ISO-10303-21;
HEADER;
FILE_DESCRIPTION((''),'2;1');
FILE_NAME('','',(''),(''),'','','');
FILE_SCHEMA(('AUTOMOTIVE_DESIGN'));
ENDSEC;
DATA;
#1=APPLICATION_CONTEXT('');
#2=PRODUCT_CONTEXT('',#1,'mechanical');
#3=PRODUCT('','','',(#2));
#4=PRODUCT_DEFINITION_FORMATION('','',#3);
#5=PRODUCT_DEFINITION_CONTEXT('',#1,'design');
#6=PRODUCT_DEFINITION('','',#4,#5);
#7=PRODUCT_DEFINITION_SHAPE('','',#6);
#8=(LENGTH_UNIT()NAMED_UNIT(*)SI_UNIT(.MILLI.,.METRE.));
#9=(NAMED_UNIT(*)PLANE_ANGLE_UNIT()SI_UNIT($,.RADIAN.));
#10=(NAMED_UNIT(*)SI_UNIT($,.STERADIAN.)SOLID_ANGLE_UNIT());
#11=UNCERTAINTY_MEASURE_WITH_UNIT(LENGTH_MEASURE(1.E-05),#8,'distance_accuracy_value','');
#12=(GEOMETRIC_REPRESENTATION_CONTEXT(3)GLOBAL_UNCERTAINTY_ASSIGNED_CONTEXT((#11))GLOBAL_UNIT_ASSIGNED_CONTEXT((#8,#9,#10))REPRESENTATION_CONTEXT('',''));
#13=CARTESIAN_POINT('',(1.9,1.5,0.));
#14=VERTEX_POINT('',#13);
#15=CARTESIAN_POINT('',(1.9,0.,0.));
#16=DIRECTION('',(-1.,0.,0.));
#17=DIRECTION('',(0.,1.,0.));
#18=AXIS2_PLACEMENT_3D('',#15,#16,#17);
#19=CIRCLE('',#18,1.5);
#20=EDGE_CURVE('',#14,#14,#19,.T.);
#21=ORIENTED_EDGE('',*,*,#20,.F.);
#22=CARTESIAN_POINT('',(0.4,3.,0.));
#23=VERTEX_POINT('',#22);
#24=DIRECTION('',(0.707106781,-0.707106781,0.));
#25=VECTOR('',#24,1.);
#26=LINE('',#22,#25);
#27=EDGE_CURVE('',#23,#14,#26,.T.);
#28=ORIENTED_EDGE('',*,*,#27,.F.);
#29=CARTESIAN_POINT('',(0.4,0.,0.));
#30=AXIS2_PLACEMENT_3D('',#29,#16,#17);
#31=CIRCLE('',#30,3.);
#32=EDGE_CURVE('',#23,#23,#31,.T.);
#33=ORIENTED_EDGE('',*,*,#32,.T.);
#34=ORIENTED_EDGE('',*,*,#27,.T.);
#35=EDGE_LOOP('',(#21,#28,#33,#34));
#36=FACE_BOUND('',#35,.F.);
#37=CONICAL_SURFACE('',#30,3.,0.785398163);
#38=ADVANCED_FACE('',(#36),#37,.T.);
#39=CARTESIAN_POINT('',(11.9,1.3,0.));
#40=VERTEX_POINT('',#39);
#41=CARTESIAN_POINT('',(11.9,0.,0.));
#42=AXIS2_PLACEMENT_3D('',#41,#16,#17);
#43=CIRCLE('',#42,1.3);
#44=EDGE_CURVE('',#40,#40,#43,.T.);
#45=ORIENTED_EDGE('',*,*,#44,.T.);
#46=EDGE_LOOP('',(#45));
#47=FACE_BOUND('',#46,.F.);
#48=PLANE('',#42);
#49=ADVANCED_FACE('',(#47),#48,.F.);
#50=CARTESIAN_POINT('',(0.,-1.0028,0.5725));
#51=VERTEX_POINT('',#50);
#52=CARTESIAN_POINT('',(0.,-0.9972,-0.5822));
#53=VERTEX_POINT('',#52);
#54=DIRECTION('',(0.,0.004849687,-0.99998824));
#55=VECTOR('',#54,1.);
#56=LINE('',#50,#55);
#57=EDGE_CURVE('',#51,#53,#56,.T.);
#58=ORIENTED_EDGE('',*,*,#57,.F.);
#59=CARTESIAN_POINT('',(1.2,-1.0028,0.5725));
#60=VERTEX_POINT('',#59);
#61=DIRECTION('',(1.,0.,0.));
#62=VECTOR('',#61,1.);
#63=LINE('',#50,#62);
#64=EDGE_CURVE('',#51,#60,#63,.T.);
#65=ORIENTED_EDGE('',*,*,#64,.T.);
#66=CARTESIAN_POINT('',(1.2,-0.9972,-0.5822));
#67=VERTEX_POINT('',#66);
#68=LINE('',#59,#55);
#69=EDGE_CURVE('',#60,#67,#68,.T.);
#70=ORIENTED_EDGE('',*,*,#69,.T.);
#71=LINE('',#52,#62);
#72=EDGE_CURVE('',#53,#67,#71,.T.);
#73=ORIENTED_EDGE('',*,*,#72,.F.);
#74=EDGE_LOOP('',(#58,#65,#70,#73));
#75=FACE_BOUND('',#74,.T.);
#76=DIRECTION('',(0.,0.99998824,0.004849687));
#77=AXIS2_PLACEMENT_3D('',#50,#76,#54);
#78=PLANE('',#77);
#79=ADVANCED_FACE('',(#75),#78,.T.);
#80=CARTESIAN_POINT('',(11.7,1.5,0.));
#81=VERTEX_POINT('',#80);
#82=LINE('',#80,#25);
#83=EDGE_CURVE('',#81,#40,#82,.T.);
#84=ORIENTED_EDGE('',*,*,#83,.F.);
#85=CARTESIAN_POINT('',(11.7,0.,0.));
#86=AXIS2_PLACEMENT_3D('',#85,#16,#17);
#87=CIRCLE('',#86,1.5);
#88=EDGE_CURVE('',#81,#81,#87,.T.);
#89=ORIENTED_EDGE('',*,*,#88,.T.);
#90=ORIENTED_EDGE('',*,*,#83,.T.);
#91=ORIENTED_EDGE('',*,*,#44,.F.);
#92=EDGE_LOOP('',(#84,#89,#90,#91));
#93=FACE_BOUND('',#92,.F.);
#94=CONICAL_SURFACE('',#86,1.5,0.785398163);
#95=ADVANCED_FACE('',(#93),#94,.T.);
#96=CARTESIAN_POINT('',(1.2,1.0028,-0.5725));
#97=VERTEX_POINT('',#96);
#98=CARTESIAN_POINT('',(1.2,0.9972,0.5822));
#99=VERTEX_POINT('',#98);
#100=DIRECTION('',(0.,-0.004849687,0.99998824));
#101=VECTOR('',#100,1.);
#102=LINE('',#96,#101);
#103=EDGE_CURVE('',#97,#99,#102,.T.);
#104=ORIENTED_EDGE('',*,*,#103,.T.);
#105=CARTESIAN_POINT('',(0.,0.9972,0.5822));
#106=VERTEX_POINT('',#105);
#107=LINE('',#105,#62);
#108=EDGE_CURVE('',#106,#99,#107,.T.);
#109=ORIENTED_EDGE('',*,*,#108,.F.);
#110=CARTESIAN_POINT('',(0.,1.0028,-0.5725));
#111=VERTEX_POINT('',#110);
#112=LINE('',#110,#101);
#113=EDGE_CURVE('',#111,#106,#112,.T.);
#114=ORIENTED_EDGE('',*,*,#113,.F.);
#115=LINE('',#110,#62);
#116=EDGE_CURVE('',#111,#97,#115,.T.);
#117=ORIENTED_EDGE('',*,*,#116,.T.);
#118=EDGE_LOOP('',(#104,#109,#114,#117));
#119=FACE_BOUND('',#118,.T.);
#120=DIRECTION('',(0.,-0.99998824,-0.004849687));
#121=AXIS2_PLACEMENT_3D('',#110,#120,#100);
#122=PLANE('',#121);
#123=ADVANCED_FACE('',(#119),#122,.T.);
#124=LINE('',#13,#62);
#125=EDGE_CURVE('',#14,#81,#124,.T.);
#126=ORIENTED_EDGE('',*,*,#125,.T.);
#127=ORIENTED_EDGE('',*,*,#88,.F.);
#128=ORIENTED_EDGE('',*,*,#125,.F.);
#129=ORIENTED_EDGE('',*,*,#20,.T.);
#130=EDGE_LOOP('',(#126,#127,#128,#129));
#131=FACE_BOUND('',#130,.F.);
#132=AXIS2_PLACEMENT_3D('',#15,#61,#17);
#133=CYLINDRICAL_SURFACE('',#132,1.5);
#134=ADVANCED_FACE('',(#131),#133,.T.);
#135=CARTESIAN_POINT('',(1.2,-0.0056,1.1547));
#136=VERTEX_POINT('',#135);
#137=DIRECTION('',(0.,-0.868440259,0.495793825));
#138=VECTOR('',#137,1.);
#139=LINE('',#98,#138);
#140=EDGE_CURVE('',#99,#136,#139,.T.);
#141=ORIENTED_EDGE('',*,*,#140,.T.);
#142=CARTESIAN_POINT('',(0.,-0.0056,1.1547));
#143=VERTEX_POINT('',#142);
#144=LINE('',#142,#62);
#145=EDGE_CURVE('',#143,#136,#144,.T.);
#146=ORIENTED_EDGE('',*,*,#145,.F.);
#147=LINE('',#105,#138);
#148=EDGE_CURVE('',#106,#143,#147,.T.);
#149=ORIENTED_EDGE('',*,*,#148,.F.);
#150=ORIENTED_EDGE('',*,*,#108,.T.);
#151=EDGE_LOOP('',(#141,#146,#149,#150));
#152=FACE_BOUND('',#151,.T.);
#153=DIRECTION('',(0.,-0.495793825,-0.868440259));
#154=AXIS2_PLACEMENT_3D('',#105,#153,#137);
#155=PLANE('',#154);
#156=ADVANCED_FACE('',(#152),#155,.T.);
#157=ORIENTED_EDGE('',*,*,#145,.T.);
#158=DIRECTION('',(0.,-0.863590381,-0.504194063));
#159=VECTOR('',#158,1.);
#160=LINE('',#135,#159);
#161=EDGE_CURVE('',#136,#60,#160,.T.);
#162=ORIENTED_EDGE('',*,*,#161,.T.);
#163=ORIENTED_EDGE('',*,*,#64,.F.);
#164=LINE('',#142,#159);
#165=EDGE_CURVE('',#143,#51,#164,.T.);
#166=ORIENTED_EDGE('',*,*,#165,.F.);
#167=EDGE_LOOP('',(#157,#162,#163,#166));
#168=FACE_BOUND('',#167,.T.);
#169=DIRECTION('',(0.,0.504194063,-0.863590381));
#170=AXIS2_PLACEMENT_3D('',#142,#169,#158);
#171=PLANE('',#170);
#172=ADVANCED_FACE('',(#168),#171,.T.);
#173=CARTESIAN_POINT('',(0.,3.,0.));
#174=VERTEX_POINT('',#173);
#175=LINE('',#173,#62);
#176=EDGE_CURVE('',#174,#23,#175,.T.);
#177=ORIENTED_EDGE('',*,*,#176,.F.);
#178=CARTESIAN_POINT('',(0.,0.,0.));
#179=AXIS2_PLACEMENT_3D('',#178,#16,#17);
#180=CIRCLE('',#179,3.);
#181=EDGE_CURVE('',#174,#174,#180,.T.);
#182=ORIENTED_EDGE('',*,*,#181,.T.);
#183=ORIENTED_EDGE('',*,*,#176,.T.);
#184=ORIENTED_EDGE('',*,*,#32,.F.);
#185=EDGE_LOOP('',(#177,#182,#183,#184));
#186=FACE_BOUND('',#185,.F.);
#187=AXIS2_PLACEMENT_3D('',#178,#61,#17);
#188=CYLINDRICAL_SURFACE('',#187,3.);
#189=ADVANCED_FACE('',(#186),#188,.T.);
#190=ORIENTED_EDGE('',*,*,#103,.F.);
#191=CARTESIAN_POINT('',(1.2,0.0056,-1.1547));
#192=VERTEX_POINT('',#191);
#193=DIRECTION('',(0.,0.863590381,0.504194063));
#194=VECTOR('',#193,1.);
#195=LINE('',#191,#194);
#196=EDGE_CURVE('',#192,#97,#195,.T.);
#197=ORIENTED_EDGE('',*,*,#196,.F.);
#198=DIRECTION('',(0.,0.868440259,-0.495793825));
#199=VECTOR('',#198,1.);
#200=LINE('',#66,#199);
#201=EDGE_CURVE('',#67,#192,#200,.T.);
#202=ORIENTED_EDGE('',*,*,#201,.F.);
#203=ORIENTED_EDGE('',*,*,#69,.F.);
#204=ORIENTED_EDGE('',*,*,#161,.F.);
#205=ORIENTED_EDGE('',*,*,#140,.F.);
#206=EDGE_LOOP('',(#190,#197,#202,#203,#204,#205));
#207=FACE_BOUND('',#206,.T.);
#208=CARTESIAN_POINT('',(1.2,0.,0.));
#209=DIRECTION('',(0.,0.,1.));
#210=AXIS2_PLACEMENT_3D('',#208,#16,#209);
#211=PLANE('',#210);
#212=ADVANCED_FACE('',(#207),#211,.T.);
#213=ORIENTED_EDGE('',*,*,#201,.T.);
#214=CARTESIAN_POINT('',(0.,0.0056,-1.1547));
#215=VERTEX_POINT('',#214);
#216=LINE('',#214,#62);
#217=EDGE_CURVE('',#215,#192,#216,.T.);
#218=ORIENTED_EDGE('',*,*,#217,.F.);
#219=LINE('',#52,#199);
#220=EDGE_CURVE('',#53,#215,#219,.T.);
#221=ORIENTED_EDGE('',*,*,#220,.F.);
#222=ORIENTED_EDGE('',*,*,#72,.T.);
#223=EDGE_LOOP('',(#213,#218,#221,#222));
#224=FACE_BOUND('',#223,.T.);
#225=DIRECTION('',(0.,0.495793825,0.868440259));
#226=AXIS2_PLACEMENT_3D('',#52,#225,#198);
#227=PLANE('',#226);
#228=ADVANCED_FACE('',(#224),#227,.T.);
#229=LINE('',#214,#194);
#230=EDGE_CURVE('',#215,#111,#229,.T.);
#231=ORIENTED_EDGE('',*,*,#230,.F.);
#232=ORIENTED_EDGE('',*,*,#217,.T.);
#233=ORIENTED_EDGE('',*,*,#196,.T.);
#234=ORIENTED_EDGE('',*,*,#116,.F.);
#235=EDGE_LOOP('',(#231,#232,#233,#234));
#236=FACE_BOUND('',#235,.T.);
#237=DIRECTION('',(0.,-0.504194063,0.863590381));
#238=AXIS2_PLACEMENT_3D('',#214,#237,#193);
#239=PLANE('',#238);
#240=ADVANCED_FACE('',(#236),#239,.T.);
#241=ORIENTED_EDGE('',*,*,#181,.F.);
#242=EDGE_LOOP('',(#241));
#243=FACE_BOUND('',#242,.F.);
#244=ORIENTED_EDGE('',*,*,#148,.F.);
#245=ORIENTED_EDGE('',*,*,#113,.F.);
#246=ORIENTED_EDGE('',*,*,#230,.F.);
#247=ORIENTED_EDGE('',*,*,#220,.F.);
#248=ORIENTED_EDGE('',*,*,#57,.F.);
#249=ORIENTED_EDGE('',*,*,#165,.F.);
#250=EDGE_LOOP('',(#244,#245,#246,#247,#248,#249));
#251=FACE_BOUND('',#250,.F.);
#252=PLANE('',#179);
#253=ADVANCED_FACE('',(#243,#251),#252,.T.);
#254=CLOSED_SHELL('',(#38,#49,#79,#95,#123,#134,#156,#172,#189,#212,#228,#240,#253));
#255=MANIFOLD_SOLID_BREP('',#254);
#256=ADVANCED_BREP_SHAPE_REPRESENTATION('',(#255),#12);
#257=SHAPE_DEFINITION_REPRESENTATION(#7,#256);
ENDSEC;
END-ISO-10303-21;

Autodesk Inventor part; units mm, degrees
ref_plane "YZ Plane" through (0, 0, 0) normal (1, 0, 0) x (0, 1, 0)
ref_plane "XZ Plane" through (0, 0, 0) normal (0, 1, 0) x (-1, 0, 0)
ref_plane "XY Plane" through (0, 0, 0) normal (0, 0, 1) x (1, 0, 0)
sketch "Sketch1" plane through (0, 0, 0) normal (0, 0, 1) x (1, 0, 0)
  line L0 (0, 0) -> (0, 3)
  line L1 (0, 3) -> (0.4, 3)
  line L2 (0.4, 3) -> (1.9, 1.5)
  line L3 (1.9, 1.5) -> (11.9, 1.5)
  line L4 (11.9, 1.5) -> (11.9, 0)
  line L5 (11.9, 0) -> (0, 0)
  dimension "d0" = 10
  dimension "d1" = 45
  dimension "d2" = 1.9
  dimension "d3" = 1.5
  dimension "d4" = 3
revolve "Revolution1" add sketch "Sketch1" angle 360 about axis through (11.9, 0, 0) along (-1, 0, 0)
sketch "Sketch2" plane through (0, 0, 0) normal (-1, 0, 0) x (0, 0, 1)
  line L0 (0.5725, -1.0028) -> (-0.5822, -0.9972)
  line L1 (-0.5822, -0.9972) -> (-1.1547, 0.0056)
  line L2 (-1.1547, 0.0056) -> (-0.5725, 1.0028)
  line L3 (-0.5725, 1.0028) -> (0.5822, 0.9972)
  line L4 (0.5822, 0.9972) -> (1.1547, -0.0056)
  line L5 (1.1547, -0.0056) -> (0.5725, -1.0028)
  point P0 (0, 0)
  point P1 (0, 0)
  dimension "d6" = 2
extrude "Extrusion1" cut sketch "Sketch2" against normal blind 1.2
thread "Thread1" size "M3x0.5" class "6g" standard "ANSI Metric M Profile" full length
chamfer "Chamfer1" distance 0.2 angle 45 1 edges at (11.9, -1.5, 0)
properties part number "M3 x 10 mm FHCS"
